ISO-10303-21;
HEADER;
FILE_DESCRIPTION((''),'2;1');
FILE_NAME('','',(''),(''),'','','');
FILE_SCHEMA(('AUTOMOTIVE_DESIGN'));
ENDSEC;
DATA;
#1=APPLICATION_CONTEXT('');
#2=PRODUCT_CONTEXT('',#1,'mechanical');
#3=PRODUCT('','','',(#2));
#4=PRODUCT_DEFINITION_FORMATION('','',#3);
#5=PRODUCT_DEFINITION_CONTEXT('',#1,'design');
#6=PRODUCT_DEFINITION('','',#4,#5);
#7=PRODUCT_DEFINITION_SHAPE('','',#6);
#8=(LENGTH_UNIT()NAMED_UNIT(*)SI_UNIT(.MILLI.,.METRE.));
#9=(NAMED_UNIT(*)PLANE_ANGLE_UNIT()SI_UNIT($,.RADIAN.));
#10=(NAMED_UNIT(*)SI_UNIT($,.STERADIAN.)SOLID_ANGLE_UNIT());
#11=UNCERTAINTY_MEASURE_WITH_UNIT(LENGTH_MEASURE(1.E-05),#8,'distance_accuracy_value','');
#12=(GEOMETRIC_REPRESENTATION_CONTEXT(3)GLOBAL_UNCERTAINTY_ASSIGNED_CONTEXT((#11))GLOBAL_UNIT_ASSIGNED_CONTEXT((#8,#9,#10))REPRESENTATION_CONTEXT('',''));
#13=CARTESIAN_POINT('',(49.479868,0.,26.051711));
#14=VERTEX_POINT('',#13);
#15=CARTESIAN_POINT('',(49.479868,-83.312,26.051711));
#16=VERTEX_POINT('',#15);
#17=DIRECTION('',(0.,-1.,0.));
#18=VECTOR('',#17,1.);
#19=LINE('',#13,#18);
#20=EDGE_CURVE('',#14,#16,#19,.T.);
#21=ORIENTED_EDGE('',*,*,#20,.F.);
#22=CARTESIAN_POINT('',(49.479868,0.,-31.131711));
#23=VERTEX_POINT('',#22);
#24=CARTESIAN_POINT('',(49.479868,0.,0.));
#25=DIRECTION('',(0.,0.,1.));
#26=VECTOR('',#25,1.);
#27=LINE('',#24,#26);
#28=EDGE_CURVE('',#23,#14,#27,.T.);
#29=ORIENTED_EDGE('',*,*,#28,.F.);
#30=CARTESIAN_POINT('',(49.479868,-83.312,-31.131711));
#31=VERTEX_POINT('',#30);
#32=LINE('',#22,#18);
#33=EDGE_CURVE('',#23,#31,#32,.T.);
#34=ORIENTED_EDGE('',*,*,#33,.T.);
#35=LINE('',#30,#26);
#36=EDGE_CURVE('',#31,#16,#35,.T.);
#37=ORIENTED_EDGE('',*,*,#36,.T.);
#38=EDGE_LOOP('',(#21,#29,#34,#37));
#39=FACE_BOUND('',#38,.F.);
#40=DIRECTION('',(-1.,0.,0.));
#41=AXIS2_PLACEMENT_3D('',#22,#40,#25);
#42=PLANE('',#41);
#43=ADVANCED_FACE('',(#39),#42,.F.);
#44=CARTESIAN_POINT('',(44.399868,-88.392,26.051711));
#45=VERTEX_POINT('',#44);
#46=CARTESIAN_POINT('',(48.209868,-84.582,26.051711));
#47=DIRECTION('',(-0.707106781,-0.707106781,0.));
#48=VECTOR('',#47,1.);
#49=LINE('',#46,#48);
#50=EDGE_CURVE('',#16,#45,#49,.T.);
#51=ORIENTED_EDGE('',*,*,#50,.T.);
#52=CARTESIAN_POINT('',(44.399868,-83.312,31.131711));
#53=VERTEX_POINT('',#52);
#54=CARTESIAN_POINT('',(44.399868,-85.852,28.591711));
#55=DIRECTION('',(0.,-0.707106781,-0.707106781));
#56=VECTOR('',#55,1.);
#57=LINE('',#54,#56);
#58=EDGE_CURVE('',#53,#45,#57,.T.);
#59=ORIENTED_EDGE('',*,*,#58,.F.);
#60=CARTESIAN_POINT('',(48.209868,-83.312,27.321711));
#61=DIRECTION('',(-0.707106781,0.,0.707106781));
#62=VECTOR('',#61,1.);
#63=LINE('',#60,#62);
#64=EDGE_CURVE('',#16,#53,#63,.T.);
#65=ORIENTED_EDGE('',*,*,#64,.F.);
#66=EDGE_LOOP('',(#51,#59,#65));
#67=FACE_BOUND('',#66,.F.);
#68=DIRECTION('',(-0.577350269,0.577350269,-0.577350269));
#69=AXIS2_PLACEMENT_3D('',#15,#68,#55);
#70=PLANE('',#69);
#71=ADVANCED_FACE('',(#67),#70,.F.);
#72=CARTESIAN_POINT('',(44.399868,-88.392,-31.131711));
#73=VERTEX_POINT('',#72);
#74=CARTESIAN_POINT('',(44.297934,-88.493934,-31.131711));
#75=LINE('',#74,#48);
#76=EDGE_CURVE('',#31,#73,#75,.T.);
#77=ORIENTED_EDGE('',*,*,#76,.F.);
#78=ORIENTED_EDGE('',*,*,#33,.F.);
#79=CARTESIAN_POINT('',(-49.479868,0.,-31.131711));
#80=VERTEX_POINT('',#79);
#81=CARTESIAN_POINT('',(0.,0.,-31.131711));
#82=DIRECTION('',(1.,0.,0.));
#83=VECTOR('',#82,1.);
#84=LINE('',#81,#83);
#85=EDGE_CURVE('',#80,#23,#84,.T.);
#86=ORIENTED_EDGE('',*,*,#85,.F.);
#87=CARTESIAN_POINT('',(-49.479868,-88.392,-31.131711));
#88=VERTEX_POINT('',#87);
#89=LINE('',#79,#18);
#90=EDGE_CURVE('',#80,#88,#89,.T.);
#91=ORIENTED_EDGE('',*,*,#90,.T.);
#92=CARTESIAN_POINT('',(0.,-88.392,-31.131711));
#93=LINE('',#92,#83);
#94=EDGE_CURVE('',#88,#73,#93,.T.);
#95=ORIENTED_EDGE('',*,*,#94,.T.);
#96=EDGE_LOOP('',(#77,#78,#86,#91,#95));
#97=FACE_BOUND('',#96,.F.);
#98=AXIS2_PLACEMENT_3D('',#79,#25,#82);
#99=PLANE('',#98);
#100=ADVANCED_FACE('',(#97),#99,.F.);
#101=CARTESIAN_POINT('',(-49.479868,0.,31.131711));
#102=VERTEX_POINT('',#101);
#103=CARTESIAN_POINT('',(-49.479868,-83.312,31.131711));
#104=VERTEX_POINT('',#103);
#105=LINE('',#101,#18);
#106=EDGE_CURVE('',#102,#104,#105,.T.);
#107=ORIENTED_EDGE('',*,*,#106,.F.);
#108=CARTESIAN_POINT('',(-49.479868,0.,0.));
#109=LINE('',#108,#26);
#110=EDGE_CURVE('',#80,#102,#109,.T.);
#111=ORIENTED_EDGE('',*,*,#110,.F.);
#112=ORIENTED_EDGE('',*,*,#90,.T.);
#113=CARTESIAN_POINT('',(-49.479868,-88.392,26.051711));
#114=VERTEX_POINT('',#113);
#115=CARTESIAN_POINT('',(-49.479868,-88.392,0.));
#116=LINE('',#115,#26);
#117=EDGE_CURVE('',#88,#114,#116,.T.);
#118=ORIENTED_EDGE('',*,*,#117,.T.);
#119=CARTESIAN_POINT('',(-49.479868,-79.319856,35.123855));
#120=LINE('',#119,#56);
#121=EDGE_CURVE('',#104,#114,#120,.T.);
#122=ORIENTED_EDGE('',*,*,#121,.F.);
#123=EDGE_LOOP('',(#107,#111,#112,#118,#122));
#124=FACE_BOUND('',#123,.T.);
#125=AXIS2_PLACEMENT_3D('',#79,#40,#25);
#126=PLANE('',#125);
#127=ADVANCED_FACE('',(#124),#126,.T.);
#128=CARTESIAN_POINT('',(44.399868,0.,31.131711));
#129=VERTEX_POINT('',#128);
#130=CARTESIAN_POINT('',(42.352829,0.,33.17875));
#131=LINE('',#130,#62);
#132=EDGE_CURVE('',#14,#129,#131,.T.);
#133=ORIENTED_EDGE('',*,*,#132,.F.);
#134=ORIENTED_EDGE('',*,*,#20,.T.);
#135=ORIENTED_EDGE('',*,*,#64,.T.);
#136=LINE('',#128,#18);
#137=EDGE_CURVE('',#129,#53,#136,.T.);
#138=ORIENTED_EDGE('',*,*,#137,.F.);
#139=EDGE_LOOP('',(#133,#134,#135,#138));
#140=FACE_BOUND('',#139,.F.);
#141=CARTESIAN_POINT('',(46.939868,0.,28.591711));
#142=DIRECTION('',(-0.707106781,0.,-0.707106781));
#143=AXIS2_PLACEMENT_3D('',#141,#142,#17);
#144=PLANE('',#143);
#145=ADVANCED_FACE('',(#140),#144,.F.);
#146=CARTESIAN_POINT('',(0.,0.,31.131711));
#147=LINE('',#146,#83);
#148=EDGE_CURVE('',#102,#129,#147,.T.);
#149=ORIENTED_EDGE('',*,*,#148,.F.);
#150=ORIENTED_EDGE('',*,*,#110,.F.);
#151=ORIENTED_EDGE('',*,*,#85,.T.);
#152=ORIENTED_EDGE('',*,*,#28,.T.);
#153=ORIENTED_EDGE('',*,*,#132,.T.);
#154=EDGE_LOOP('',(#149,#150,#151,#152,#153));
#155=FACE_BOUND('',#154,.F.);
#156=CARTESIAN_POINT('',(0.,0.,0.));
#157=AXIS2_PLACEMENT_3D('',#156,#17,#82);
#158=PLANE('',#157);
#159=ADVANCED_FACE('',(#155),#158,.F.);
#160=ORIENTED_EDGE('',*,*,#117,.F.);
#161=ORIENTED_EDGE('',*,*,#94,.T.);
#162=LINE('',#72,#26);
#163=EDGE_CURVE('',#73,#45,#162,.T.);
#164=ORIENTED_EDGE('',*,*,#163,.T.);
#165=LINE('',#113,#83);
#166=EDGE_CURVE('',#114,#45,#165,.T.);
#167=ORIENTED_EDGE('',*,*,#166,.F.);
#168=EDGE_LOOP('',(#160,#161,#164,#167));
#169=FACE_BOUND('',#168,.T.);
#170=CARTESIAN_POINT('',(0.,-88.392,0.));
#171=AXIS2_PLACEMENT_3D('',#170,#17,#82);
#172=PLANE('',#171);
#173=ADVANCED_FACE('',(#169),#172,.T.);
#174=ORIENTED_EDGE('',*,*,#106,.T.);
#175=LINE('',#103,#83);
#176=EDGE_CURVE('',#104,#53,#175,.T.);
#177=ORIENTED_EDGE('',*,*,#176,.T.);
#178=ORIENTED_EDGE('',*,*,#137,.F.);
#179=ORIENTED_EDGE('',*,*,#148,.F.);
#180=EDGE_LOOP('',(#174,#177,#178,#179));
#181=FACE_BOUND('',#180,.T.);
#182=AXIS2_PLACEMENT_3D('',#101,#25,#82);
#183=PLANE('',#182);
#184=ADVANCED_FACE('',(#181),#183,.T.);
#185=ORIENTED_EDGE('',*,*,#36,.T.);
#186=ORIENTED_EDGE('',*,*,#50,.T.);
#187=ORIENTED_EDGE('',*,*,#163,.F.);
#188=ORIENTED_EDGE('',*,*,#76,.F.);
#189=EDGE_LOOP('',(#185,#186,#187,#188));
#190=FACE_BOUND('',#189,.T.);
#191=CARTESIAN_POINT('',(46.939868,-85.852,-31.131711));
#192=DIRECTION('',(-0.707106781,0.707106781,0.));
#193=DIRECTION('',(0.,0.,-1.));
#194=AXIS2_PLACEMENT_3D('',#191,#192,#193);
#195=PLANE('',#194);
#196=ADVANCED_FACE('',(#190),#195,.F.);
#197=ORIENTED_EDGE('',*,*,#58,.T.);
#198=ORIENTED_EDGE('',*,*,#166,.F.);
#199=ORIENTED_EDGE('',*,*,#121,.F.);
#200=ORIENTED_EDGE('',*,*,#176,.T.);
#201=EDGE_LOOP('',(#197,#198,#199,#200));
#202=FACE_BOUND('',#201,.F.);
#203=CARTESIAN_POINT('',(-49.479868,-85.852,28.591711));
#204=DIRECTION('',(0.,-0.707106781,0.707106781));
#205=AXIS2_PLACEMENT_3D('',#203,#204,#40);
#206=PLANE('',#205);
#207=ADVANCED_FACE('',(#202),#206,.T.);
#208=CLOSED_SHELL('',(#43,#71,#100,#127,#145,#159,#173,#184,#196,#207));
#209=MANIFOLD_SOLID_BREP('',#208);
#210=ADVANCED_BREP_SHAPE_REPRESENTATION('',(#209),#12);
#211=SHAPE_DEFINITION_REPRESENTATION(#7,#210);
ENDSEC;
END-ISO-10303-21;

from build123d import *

# Parameters (mm, degrees)
F0_W     = 98.959736
F0_H     = 62.263422
F1_DEPTH = 88.392
F2_SIZE  = 5.08


with BuildPart() as f1:
    # F0 (on Front) → F1 (new body)
    with BuildSketch(Plane.XZ):
        Rectangle(F0_W, F0_H)
    extrude(amount=F1_DEPTH)

    # F2
    f2_edges = [f1.edges().sort_by_distance(p)[0] for p in [
        (0, -88.392, 31.131711),
        (49.479868, -44.196, 31.131711),
        (49.479868, -88.392, 0),
    ]]
    chamfer(f2_edges, length=F2_SIZE)


solid = f1.part
